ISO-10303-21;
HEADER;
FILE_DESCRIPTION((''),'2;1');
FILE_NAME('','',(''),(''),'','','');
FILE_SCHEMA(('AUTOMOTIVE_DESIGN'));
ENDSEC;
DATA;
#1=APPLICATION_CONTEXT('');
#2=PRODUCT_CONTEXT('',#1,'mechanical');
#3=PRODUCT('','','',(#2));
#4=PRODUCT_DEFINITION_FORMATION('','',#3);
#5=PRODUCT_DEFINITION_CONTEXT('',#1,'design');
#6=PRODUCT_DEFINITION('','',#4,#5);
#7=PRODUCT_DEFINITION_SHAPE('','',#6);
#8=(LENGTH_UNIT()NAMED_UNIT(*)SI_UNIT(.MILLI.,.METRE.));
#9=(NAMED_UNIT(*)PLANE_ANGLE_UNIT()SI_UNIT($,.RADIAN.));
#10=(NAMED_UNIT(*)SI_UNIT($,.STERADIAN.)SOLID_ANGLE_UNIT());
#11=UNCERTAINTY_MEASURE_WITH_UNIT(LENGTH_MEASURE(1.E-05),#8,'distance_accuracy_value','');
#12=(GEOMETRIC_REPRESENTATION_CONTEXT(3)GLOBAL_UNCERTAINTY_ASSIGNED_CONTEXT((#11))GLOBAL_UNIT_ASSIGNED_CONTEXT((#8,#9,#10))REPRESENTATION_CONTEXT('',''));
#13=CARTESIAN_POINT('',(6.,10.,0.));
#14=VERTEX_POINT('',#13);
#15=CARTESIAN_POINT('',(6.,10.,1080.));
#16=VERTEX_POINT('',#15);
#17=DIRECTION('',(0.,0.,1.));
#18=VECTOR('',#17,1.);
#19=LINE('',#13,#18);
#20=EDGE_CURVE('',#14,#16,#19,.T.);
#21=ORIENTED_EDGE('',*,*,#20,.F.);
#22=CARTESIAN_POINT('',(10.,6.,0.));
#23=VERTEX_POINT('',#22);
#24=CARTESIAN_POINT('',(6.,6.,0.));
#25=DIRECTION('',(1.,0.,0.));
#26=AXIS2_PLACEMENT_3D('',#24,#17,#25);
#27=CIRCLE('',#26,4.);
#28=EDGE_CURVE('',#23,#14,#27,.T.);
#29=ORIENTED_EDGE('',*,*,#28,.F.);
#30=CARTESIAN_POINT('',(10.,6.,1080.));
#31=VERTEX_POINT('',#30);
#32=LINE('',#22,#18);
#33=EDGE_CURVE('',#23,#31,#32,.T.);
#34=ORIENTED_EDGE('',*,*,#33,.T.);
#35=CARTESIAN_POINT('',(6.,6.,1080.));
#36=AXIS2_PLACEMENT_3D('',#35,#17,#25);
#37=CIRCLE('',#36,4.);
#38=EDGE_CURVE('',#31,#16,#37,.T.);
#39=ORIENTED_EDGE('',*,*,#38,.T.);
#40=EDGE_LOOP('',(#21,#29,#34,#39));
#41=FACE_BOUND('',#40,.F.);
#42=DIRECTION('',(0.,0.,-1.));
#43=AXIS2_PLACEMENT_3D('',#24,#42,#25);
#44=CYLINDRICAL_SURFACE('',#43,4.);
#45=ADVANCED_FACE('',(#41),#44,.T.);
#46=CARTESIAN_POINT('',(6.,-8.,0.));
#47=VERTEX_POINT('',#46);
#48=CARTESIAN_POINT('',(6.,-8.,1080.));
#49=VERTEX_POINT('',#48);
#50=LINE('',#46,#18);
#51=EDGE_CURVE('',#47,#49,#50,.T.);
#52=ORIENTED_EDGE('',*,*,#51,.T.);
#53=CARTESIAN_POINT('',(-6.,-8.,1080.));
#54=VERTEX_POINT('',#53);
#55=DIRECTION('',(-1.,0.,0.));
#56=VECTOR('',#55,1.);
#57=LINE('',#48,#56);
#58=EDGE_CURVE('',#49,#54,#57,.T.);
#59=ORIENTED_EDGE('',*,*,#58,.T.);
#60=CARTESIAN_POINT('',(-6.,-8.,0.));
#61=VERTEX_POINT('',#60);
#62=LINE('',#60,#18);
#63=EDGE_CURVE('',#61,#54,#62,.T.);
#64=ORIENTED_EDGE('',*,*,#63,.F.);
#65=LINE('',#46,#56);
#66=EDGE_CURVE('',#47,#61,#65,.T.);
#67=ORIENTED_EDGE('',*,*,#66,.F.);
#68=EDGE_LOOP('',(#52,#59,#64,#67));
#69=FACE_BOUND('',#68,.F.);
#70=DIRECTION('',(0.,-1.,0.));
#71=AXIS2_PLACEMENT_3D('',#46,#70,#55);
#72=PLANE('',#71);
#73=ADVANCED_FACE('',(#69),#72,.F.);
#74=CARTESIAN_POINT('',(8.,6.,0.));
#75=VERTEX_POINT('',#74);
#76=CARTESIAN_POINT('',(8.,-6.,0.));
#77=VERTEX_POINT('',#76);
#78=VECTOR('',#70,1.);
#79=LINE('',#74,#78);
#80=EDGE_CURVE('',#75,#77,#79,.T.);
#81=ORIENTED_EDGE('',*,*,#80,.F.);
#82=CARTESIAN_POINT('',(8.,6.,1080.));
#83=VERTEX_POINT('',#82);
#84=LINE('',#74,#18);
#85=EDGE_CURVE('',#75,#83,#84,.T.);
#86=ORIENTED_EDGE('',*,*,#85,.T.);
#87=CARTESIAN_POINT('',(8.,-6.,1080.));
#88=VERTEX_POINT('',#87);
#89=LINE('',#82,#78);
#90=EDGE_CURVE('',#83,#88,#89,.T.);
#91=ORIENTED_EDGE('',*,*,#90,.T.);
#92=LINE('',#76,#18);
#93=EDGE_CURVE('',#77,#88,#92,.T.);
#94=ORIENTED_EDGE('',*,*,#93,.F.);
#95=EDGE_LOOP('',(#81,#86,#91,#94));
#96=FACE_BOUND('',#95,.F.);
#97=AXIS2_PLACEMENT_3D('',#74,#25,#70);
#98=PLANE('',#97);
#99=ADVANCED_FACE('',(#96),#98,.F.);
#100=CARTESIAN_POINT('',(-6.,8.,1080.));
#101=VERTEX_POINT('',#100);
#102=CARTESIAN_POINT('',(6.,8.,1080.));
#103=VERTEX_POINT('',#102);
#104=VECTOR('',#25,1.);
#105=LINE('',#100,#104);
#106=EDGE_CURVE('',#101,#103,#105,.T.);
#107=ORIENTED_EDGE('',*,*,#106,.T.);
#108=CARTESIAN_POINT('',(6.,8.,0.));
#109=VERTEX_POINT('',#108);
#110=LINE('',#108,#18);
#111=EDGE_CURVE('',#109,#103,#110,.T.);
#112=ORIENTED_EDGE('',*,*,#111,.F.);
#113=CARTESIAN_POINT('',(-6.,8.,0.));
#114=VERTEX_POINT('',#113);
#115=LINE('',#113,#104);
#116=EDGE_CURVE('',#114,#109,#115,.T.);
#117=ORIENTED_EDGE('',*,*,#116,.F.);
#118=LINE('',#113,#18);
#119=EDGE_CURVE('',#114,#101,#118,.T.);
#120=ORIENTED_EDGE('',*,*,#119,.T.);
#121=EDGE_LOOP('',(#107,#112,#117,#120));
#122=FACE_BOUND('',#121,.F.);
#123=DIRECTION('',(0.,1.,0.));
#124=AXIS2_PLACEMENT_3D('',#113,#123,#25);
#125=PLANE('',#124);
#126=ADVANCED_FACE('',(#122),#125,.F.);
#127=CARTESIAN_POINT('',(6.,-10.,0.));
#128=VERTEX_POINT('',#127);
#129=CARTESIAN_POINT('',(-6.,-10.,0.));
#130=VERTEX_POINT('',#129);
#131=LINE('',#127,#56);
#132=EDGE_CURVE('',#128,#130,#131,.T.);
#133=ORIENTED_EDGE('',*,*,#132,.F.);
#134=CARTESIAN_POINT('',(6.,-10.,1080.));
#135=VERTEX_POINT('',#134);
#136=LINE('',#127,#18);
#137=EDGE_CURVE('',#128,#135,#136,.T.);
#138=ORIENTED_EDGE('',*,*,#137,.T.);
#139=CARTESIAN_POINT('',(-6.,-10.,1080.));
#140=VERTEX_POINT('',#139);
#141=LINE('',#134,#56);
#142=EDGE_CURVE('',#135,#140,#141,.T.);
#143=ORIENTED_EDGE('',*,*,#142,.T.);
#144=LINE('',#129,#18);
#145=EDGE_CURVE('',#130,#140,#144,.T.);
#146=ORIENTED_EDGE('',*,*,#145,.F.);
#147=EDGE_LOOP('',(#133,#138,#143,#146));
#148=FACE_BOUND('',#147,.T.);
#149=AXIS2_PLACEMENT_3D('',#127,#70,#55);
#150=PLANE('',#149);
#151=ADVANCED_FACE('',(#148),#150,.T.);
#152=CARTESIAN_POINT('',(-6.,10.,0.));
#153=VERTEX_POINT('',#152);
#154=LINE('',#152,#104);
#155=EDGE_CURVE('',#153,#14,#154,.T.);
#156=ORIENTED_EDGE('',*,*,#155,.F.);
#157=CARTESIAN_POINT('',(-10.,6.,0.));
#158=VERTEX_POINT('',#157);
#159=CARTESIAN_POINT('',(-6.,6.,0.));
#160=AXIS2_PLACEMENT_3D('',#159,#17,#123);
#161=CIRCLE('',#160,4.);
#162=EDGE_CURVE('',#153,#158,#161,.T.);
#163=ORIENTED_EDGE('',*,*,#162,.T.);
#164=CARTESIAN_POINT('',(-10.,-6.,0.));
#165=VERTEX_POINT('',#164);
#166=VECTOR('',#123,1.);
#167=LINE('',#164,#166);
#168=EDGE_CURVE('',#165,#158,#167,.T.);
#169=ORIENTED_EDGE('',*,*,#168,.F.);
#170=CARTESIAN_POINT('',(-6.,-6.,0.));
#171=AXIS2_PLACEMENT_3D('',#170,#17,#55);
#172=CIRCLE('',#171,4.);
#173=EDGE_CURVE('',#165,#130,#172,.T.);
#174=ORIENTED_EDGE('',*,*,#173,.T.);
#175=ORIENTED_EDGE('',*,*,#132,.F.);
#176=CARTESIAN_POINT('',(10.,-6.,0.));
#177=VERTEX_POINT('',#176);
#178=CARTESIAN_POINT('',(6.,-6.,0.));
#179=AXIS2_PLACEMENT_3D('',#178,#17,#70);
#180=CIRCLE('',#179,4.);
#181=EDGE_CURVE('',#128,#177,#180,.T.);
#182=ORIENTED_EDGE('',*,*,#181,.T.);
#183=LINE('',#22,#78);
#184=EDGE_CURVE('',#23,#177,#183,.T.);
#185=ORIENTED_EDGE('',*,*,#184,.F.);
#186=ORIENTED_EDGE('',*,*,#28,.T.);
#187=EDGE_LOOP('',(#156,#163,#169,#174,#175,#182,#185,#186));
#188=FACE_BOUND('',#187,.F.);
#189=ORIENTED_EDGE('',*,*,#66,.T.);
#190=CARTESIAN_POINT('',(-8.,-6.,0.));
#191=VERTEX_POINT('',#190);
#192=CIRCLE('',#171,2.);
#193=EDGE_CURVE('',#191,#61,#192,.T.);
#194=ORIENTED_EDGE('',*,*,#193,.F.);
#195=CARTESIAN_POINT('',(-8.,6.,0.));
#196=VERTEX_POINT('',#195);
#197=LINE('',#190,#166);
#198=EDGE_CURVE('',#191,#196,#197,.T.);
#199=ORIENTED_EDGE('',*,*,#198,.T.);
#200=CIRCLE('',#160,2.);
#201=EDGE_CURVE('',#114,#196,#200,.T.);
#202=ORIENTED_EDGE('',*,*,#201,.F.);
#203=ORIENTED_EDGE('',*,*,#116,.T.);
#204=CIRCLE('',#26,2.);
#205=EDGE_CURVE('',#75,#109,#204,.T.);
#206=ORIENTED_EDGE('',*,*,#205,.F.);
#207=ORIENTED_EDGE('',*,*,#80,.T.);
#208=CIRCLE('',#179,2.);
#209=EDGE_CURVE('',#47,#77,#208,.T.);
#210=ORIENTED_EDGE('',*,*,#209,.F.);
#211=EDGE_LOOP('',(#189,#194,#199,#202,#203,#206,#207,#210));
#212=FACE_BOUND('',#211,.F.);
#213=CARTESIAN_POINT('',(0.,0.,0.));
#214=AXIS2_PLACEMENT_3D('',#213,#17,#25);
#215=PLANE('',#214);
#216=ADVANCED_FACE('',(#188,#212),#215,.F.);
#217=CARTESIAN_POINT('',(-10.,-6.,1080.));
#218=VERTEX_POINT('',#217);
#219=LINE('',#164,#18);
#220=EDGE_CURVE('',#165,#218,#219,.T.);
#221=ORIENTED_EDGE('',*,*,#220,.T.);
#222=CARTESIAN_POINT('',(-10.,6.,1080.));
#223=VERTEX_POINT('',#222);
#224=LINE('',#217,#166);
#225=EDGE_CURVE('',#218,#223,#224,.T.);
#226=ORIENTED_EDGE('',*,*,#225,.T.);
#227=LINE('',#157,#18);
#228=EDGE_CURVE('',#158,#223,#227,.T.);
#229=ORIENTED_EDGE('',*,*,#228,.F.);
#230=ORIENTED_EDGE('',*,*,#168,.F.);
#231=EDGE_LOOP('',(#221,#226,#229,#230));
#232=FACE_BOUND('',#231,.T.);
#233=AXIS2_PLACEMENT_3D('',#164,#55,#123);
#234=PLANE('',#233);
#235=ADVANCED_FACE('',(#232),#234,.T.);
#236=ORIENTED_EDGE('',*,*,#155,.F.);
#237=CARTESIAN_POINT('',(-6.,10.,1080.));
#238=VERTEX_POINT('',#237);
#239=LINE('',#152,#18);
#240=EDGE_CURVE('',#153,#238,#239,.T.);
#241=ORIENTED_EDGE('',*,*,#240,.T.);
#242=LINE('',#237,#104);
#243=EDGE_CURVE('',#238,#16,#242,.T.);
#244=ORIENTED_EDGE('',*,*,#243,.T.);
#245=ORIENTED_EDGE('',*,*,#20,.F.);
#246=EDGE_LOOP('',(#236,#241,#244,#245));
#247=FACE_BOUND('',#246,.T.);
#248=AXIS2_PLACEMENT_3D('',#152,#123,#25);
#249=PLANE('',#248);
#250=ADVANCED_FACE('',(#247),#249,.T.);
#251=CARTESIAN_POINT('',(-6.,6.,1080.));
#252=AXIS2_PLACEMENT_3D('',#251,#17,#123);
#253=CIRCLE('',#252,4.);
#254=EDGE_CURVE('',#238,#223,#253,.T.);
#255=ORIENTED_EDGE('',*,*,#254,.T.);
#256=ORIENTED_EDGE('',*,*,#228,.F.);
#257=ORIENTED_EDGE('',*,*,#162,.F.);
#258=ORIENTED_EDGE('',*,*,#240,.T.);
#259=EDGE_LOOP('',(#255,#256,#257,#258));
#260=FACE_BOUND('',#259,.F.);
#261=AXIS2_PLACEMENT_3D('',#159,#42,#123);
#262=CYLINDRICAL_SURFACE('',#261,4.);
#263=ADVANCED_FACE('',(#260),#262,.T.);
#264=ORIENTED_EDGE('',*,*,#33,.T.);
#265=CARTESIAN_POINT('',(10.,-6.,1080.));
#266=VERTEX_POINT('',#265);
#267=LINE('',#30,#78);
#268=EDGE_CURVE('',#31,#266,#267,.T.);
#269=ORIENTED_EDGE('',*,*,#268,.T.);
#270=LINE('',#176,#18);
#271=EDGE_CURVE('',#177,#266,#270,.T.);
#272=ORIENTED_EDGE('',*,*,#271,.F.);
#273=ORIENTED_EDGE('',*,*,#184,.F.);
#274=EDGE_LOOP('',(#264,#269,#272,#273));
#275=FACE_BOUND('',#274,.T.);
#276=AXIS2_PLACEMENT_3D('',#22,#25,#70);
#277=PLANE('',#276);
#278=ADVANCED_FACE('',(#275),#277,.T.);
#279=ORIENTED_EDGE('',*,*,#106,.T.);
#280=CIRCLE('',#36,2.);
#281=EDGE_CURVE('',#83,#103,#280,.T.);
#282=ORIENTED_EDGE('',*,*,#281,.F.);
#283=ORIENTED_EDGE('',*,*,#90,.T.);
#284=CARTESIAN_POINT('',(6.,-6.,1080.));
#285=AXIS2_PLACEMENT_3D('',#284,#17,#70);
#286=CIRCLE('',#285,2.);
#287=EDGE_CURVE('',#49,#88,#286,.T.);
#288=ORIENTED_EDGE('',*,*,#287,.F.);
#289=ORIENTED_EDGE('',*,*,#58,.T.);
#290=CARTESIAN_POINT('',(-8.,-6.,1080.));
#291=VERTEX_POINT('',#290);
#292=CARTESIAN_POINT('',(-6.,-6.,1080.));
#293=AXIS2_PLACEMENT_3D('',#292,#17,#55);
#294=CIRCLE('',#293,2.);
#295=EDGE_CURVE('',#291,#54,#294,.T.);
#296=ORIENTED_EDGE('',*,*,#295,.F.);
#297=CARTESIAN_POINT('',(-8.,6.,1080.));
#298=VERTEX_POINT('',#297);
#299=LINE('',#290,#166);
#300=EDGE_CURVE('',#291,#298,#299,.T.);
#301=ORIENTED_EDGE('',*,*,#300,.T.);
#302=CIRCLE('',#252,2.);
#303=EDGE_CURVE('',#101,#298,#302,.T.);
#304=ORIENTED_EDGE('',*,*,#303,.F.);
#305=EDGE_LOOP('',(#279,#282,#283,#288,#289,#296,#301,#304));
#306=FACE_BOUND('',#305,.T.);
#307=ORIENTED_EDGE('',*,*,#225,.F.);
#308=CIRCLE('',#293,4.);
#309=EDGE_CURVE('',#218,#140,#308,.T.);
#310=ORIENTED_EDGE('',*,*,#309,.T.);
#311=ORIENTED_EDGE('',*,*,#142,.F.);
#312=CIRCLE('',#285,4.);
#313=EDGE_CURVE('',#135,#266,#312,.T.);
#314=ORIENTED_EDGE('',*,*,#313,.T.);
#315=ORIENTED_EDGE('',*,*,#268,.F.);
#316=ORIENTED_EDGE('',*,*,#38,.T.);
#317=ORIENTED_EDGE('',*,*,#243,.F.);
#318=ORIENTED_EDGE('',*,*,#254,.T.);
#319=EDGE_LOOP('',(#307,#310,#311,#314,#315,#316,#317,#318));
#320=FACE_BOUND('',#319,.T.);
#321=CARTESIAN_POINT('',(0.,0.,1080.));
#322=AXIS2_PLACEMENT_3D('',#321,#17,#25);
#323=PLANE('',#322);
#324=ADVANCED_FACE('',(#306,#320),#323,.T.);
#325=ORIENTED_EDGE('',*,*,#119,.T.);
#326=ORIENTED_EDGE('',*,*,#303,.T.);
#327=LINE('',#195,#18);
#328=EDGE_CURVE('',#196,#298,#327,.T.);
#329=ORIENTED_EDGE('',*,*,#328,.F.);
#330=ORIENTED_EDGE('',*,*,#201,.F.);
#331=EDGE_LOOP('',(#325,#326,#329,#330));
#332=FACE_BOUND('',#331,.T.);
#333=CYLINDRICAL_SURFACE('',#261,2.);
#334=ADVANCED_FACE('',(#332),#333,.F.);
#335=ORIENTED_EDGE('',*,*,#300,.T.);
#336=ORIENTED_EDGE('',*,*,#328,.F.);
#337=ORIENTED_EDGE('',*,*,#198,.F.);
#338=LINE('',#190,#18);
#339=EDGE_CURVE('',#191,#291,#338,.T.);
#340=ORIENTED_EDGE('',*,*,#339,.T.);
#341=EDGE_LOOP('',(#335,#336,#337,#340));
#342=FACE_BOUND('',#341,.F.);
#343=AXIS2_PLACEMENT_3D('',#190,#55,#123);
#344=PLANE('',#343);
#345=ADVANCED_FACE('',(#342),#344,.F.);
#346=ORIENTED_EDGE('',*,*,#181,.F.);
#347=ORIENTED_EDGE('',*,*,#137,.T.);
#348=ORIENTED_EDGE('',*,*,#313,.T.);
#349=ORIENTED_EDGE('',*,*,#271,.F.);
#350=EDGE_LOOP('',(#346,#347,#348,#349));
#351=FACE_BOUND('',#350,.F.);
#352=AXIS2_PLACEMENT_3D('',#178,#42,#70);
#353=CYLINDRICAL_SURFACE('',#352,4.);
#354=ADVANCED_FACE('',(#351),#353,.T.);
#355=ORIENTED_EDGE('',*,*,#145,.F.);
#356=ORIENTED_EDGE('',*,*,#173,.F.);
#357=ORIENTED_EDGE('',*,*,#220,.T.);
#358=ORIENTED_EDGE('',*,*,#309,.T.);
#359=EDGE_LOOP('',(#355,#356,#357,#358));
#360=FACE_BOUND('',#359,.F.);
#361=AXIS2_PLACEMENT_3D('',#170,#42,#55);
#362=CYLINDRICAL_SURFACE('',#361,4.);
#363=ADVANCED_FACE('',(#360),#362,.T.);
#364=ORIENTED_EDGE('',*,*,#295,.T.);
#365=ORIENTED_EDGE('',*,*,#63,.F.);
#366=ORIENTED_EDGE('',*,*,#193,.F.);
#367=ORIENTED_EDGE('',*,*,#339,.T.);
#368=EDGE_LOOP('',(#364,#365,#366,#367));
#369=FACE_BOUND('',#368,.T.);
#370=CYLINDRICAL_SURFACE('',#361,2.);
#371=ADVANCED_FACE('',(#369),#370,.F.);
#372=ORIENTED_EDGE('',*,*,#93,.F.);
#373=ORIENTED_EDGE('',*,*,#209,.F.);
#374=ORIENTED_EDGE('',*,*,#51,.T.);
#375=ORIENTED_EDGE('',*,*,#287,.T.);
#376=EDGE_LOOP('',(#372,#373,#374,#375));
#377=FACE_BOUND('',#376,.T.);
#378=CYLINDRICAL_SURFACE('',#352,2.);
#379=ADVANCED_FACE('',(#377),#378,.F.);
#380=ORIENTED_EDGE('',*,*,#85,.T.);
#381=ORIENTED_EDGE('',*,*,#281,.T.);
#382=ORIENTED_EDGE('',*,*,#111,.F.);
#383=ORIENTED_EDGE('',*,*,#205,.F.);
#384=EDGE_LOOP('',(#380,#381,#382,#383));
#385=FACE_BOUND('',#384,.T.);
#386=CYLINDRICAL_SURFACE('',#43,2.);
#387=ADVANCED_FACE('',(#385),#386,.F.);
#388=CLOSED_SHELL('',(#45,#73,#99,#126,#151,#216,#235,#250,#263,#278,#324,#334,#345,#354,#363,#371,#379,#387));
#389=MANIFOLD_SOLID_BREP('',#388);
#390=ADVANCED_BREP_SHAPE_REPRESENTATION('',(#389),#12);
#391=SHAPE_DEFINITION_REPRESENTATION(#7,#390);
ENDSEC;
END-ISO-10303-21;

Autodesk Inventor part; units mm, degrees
ref_plane "Start plane" through (0, 0, 0) normal (0, 0, 1) x (1, 0, 0)
ref_plane "End plane" through (0, 0, 1080) normal (0, 0, 1) x (1, 0, 0)
sketch "Sketch" plane through (0, 0, 0) normal (0, 0, 1) x (1, 0, 0)
  line L0 (-10, -6) -> (-10, 6)
  line L1 (-6, 10) -> (6, 10)
  line L2 (10, 6) -> (10, -6)
  line L3 (6, -10) -> (-6, -10)
  arc A0 (-10, -6) -> (-6, -10) centre (-6, -6) ccw
  arc A1 (10, 6) -> (6, 10) centre (6, 6) ccw
  arc A2 (-6, 10) -> (-10, 6) centre (-6, 6) ccw
  arc A3 (6, -10) -> (10, -6) centre (6, -6) ccw
  arc A4 (-6, 8) -> (-8, 6) centre (-6, 6) ccw
  line L4 (-6, 8) -> (6, 8)
  arc A5 (8, 6) -> (6, 8) centre (6, 6) ccw
  line L5 (8, 6) -> (8, -6)
  arc A6 (6, -8) -> (8, -6) centre (6, -6) ccw
  line L6 (6, -8) -> (-6, -8)
  arc A7 (-8, -6) -> (-6, -8) centre (-6, -6) ccw
  line L7 (-8, -6) -> (-8, 6)
  line L8 (0, 15.1598) -> (0, -15.1598) construction
  line L9 (-15.1598, 0) -> (15.1598, 0) construction
  dimension "d7" = 4
  dimension "d9" = 20
  dimension "d11" = 20
  dimension "d12" = 2
  dimension "d15" = 10
  dimension "d16" = 10
extrude "Body" add sketch "Sketch" along normal up to surface (1080 mm away) from surface at 0
sketch "Sketch3" plane through (0, 0, 0) normal (0, 0, 1) x (1, 0, 0)
  line L0 (0, 0) -> (10, 0)
ref_plane "Work Plane3" through (0, 0, 0) normal (0, -1, 0) x (1, 0, 0)
sketch "Sketch4" plane through (0, 0, 0) normal (0, -1, 0) x (1, 0, 0)
  line L0 (-2, 0) -> (12, 0)
  line L1 (-2, 1080) -> (12, 1080)
  dimension "d18" = 1080
ref_plane "Work Plane4" through (0, 10, 1080) normal (0, 0, 1) x (1, 0, 0)
split "Split1" plane through (0, 10, 1080) removes the side toward (0, 0, 1)
equation "\"d7\" = G_IR"
equation "\"d9\" = G_W"
equation "\"d11\" = G_H"
equation "\"d12\" = G_T"
equation "\"d15\" = 0.5 * d9"
equation "\"d16\" = 0.5 * d11"
equation "\"d3\" = G_L"
equation "\"G_W\" = 20"
equation "\"G_H\" = 20"
equation "\"G_T\" = 2"
equation "\"G_IR\" = 4"
equation "\"G_L\" = d18"
equation "\"G_OFFSET_START\" = 0"
properties part number "ISO 4019 - 20x20x2 - 1080" material "Steel, Mild"
